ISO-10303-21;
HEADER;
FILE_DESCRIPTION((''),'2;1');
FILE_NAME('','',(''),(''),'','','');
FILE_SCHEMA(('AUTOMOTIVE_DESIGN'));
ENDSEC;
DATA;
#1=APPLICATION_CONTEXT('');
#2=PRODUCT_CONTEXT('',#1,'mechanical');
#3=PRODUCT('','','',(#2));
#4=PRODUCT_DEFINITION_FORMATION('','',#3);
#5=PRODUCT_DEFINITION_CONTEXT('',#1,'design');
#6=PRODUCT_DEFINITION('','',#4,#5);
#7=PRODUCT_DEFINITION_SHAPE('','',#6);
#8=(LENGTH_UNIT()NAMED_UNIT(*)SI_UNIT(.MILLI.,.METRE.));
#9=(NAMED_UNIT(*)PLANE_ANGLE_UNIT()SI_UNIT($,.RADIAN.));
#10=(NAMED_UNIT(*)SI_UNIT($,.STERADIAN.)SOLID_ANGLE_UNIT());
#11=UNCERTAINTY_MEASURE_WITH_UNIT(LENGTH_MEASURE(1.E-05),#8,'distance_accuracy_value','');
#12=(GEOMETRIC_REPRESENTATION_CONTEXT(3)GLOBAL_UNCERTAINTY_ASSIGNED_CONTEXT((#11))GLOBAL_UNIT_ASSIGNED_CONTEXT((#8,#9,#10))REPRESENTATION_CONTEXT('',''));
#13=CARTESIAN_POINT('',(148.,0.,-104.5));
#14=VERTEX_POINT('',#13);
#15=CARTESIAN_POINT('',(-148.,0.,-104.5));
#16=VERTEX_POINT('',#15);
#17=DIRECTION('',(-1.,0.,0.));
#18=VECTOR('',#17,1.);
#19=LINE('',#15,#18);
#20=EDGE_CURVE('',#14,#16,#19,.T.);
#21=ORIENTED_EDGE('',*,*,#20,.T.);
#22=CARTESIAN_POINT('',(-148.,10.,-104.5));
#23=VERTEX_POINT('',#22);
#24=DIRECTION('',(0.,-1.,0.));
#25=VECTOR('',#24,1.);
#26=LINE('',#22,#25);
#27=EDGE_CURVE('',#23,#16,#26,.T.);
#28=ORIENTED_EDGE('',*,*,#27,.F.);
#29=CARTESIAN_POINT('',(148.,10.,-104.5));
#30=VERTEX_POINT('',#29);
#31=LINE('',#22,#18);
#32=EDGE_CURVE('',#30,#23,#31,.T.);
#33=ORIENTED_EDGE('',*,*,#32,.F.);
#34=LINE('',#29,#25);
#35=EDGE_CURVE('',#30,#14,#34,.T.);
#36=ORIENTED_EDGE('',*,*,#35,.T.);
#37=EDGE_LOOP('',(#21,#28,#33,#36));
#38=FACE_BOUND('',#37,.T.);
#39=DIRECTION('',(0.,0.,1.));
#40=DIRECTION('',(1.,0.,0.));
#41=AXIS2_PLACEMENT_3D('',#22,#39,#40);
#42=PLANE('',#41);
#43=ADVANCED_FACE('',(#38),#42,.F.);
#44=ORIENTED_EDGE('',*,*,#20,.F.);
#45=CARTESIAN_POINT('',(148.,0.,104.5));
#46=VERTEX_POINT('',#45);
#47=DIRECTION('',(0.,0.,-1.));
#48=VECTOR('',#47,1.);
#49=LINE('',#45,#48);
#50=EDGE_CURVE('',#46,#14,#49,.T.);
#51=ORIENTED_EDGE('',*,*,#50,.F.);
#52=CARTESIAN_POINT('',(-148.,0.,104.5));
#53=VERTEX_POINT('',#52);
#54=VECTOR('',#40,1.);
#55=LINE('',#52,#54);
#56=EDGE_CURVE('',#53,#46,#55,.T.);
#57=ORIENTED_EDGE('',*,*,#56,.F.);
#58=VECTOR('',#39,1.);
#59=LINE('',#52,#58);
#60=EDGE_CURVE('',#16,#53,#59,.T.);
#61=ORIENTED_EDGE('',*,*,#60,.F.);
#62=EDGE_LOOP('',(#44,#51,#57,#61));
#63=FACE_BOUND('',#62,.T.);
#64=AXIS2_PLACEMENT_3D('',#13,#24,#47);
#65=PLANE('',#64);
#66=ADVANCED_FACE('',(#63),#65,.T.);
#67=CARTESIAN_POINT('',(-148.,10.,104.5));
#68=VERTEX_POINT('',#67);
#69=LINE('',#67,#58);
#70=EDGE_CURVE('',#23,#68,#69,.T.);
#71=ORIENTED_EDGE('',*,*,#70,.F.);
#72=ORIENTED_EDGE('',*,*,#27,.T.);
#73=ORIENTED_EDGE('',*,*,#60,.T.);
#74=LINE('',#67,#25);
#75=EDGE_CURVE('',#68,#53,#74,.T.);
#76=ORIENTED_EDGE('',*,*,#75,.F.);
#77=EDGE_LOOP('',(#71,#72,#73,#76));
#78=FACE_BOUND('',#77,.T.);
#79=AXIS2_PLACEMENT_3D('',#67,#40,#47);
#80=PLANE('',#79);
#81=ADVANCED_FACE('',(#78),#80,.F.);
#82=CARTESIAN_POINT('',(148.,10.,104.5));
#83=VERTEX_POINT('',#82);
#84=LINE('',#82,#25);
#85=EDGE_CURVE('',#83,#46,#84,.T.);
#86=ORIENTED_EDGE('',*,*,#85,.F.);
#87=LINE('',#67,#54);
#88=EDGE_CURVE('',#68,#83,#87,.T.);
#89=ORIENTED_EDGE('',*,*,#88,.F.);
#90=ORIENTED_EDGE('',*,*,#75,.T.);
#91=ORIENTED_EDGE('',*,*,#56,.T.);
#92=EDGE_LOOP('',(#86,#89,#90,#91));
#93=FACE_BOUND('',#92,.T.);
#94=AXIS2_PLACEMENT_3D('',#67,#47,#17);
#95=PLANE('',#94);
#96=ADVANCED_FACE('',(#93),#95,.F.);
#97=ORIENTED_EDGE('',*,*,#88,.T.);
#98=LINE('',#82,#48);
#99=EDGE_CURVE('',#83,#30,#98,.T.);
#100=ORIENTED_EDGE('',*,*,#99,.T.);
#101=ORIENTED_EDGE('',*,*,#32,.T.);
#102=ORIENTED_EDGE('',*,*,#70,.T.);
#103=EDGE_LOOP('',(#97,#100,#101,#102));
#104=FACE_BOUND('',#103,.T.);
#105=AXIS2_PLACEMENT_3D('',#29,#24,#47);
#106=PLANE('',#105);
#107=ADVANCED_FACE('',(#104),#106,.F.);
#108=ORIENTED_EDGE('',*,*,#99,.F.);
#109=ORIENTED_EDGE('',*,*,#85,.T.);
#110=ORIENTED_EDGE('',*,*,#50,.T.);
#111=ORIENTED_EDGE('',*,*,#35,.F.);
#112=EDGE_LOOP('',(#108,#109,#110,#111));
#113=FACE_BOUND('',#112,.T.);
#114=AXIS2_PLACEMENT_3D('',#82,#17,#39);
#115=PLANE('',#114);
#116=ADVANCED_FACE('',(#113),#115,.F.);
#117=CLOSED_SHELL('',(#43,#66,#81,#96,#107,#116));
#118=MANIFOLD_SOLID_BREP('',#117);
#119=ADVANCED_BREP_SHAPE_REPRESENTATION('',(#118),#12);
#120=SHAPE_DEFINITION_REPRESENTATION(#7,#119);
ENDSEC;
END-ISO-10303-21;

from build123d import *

# Parameters (mm, degrees)
SKETCH1_W      = 296
SKETCH1_H      = 209
EXTRUDE1_DEPTH = 10


with BuildPart() as part:
    # Sketch1 → Extrude1 (new body)
    with BuildSketch(Plane(origin=(0, 0, 0), x_dir=(1, 0, 0), z_dir=(0, 1, 0))):
        Rectangle(SKETCH1_W, SKETCH1_H)
    extrude(amount=EXTRUDE1_DEPTH)


solid = part.part
